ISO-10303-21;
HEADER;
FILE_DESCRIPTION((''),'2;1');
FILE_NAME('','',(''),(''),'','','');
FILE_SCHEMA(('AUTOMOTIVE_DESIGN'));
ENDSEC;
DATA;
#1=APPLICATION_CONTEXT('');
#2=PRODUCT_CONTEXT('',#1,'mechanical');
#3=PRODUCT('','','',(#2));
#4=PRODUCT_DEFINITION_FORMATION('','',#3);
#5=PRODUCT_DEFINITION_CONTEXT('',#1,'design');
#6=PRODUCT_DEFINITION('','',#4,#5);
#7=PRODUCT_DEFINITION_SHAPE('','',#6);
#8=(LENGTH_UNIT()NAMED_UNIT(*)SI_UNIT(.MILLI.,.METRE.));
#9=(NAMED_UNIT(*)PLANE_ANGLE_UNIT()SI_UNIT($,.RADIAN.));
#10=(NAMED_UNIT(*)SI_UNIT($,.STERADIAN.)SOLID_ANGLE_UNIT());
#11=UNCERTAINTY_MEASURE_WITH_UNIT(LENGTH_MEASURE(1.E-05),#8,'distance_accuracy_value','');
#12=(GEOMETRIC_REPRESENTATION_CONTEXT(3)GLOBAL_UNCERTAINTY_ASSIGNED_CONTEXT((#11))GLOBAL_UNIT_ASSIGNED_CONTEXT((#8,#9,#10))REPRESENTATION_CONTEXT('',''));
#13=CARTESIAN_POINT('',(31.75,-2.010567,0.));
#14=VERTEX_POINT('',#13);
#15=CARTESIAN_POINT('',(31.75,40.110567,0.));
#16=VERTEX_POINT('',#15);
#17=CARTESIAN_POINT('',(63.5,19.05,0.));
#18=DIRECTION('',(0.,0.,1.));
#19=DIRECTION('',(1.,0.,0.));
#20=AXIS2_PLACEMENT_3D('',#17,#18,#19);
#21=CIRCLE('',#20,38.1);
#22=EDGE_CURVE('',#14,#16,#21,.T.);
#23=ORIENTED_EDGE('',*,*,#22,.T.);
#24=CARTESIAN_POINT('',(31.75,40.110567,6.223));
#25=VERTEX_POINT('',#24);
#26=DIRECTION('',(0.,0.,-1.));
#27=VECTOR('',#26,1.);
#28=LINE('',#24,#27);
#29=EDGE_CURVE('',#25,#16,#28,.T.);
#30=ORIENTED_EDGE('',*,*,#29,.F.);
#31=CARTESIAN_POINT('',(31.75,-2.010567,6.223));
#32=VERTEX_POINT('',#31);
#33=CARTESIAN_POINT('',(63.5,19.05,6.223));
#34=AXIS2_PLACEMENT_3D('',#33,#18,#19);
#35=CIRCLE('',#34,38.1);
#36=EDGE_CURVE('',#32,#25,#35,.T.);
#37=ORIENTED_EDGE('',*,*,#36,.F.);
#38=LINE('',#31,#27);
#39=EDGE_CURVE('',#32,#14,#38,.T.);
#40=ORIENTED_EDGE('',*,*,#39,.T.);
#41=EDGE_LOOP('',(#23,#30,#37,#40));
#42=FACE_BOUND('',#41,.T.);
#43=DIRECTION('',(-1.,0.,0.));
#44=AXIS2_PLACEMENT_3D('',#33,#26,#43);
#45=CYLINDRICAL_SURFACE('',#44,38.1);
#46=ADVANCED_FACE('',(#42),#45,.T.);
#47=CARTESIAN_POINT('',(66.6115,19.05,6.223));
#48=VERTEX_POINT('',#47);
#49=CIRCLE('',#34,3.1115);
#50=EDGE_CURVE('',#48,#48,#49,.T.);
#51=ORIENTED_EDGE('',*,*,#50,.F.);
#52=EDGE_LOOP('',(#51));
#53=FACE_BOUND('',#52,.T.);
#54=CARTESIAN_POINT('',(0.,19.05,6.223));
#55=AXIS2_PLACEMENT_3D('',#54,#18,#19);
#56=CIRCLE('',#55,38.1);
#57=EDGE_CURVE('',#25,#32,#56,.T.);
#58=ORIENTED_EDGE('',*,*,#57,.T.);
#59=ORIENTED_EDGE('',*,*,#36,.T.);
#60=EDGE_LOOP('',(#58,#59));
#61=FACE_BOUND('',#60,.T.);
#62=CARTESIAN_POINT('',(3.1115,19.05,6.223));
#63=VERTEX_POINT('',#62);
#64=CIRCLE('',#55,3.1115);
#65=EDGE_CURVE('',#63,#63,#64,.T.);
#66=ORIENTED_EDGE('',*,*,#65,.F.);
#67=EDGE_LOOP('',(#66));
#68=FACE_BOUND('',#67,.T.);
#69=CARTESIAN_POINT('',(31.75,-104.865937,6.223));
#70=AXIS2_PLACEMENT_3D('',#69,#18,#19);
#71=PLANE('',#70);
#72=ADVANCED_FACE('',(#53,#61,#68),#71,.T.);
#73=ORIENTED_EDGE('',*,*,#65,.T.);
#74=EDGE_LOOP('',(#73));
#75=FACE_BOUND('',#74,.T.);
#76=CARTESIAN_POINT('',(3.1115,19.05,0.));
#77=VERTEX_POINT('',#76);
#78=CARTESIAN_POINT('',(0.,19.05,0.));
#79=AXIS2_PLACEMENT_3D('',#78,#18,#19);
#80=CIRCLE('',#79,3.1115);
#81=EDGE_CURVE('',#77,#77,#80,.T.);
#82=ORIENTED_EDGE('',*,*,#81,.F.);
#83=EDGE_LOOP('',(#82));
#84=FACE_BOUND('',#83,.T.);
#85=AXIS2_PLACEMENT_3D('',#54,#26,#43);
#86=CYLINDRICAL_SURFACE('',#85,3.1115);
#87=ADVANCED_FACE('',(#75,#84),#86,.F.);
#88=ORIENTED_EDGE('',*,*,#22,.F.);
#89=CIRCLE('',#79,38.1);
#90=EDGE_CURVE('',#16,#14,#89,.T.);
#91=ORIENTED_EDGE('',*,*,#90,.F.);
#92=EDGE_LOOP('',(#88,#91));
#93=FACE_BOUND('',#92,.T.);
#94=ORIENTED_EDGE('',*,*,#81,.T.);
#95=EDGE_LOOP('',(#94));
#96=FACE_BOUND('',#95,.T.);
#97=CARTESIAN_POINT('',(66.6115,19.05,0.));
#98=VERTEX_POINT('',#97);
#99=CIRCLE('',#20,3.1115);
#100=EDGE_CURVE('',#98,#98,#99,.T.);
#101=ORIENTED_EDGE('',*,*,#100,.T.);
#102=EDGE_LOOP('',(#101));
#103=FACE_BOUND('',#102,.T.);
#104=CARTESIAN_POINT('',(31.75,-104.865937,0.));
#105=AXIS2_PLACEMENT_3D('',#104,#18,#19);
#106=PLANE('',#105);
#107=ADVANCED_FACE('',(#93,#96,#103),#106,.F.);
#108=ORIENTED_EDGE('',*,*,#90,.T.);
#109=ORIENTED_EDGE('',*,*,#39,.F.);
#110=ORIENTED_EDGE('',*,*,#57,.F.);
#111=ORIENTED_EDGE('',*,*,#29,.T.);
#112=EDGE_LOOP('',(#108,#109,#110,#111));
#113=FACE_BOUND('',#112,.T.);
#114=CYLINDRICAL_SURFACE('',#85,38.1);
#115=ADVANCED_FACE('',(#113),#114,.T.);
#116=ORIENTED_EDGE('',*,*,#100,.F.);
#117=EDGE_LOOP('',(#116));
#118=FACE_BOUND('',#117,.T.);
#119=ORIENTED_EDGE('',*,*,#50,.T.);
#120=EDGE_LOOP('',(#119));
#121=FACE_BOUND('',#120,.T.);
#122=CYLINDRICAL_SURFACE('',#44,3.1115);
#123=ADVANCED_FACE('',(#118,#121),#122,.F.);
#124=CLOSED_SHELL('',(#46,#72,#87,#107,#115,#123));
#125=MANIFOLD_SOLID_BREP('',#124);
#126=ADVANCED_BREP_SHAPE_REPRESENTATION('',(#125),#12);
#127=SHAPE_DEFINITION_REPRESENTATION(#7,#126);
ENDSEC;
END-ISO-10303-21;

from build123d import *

# Parameters (mm, degrees)
BOSS_EXTRUDE1_DEPTH = 6.223


with BuildPart() as part:
    # Sketch1 → Boss-Extrude1 (new body)
    with BuildSketch(Plane.XY):
        with BuildLine():
            Line((0, 15.9385), (0, 0))
            Line((0, 0), (30.504432116, 0))
            ThreePointArc((30.504432116, 0), (25.4, 19.05), (30.504432116, 38.1))
            Line((30.504432116, 38.1), (0, 38.1))
            Line((0, 38.1), (0, 22.1615))
            ThreePointArc((0, 22.1615), (2.20016275, 21.25016275), (3.1115, 19.05))
            ThreePointArc((3.1115, 19.05), (2.20016275, 16.84983725), (0, 15.9385))
        make_face()
        with BuildLine():
            Line((30.504432116, 0), (0, 0))
            Line((0, 0), (0, 15.9385))
            ThreePointArc((0, 15.9385), (-3.1115, 19.05), (0, 22.1615))
            Line((0, 22.1615), (0, 38.1))
            Line((0, 38.1), (30.504432116, 38.1))
            ThreePointArc((30.504432116, 38.1), (31.111611101, 39.114951146), (31.75, 40.110567419))
            ThreePointArc((31.75, 40.110567419), (-38.1, 19.05), (31.75, -2.010567419))
            ThreePointArc((31.75, -2.010567419), (31.111611101, -1.014951146), (30.504432116, 0))
        make_face()
        with BuildLine():
            ThreePointArc((31.75, 40.110567419), (31.111611101, 39.114951146), (30.504432116, 38.1))
            Line((30.504432116, 38.1), (32.995567884, 38.1))
            ThreePointArc((32.995567884, 38.1), (32.388388899, 39.114951146), (31.75, 40.110567419))
        make_face()
        with BuildLine():
            Line((63.5, 0), (32.995567884, 0))
            ThreePointArc((32.995567884, 0), (32.388388899, -1.014951146), (31.75, -2.010567419))
            ThreePointArc((31.75, -2.010567419), (74.498522628, -17.427972806), (101.6, 19.05))
            ThreePointArc((101.6, 19.05), (74.498522628, 55.527972806), (31.75, 40.110567419))
            ThreePointArc((31.75, 40.110567419), (32.388388899, 39.114951146), (32.995567884, 38.1))
            Line((32.995567884, 38.1), (63.5, 38.1))
            Line((63.5, 38.1), (63.5, 22.1615))
            ThreePointArc((63.5, 22.1615), (65.70016275, 21.25016275), (66.6115, 19.05))
            ThreePointArc((66.6115, 19.05), (65.70016275, 16.84983725), (63.5, 15.9385))
            Line((63.5, 15.9385), (63.5, 0))
        make_face()
        with BuildLine():
            ThreePointArc((30.504432116, 38.1), (25.4, 19.05), (30.504432116, 0))
            Line((30.504432116, 0), (32.995567884, 0))
            ThreePointArc((32.995567884, 0), (36.801773982, 9.188994382), (38.1, 19.05))
            ThreePointArc((38.1, 19.05), (36.801773982, 28.911005618), (32.995567884, 38.1))
            Line((32.995567884, 38.1), (30.504432116, 38.1))
        make_face()
        with BuildLine():
            ThreePointArc((38.1, 19.05), (36.801773982, 9.188994382), (32.995567884, 0))
            Line((32.995567884, 0), (63.5, 0))
            Line((63.5, 0), (63.5, 15.9385))
            ThreePointArc((63.5, 15.9385), (60.3885, 19.05), (63.5, 22.1615))
            Line((63.5, 22.1615), (63.5, 38.1))
            Line((63.5, 38.1), (32.995567884, 38.1))
            ThreePointArc((32.995567884, 38.1), (36.801773982, 28.911005618), (38.1, 19.05))
        make_face()
        with BuildLine():
            Line((32.995567884, 0), (30.504432116, 0))
            ThreePointArc((30.504432116, 0), (31.111611101, -1.014951146), (31.75, -2.010567419))
            ThreePointArc((31.75, -2.010567419), (32.388388899, -1.014951146), (32.995567884, 0))
        make_face()
    extrude(amount=BOSS_EXTRUDE1_DEPTH)


solid = part.part
